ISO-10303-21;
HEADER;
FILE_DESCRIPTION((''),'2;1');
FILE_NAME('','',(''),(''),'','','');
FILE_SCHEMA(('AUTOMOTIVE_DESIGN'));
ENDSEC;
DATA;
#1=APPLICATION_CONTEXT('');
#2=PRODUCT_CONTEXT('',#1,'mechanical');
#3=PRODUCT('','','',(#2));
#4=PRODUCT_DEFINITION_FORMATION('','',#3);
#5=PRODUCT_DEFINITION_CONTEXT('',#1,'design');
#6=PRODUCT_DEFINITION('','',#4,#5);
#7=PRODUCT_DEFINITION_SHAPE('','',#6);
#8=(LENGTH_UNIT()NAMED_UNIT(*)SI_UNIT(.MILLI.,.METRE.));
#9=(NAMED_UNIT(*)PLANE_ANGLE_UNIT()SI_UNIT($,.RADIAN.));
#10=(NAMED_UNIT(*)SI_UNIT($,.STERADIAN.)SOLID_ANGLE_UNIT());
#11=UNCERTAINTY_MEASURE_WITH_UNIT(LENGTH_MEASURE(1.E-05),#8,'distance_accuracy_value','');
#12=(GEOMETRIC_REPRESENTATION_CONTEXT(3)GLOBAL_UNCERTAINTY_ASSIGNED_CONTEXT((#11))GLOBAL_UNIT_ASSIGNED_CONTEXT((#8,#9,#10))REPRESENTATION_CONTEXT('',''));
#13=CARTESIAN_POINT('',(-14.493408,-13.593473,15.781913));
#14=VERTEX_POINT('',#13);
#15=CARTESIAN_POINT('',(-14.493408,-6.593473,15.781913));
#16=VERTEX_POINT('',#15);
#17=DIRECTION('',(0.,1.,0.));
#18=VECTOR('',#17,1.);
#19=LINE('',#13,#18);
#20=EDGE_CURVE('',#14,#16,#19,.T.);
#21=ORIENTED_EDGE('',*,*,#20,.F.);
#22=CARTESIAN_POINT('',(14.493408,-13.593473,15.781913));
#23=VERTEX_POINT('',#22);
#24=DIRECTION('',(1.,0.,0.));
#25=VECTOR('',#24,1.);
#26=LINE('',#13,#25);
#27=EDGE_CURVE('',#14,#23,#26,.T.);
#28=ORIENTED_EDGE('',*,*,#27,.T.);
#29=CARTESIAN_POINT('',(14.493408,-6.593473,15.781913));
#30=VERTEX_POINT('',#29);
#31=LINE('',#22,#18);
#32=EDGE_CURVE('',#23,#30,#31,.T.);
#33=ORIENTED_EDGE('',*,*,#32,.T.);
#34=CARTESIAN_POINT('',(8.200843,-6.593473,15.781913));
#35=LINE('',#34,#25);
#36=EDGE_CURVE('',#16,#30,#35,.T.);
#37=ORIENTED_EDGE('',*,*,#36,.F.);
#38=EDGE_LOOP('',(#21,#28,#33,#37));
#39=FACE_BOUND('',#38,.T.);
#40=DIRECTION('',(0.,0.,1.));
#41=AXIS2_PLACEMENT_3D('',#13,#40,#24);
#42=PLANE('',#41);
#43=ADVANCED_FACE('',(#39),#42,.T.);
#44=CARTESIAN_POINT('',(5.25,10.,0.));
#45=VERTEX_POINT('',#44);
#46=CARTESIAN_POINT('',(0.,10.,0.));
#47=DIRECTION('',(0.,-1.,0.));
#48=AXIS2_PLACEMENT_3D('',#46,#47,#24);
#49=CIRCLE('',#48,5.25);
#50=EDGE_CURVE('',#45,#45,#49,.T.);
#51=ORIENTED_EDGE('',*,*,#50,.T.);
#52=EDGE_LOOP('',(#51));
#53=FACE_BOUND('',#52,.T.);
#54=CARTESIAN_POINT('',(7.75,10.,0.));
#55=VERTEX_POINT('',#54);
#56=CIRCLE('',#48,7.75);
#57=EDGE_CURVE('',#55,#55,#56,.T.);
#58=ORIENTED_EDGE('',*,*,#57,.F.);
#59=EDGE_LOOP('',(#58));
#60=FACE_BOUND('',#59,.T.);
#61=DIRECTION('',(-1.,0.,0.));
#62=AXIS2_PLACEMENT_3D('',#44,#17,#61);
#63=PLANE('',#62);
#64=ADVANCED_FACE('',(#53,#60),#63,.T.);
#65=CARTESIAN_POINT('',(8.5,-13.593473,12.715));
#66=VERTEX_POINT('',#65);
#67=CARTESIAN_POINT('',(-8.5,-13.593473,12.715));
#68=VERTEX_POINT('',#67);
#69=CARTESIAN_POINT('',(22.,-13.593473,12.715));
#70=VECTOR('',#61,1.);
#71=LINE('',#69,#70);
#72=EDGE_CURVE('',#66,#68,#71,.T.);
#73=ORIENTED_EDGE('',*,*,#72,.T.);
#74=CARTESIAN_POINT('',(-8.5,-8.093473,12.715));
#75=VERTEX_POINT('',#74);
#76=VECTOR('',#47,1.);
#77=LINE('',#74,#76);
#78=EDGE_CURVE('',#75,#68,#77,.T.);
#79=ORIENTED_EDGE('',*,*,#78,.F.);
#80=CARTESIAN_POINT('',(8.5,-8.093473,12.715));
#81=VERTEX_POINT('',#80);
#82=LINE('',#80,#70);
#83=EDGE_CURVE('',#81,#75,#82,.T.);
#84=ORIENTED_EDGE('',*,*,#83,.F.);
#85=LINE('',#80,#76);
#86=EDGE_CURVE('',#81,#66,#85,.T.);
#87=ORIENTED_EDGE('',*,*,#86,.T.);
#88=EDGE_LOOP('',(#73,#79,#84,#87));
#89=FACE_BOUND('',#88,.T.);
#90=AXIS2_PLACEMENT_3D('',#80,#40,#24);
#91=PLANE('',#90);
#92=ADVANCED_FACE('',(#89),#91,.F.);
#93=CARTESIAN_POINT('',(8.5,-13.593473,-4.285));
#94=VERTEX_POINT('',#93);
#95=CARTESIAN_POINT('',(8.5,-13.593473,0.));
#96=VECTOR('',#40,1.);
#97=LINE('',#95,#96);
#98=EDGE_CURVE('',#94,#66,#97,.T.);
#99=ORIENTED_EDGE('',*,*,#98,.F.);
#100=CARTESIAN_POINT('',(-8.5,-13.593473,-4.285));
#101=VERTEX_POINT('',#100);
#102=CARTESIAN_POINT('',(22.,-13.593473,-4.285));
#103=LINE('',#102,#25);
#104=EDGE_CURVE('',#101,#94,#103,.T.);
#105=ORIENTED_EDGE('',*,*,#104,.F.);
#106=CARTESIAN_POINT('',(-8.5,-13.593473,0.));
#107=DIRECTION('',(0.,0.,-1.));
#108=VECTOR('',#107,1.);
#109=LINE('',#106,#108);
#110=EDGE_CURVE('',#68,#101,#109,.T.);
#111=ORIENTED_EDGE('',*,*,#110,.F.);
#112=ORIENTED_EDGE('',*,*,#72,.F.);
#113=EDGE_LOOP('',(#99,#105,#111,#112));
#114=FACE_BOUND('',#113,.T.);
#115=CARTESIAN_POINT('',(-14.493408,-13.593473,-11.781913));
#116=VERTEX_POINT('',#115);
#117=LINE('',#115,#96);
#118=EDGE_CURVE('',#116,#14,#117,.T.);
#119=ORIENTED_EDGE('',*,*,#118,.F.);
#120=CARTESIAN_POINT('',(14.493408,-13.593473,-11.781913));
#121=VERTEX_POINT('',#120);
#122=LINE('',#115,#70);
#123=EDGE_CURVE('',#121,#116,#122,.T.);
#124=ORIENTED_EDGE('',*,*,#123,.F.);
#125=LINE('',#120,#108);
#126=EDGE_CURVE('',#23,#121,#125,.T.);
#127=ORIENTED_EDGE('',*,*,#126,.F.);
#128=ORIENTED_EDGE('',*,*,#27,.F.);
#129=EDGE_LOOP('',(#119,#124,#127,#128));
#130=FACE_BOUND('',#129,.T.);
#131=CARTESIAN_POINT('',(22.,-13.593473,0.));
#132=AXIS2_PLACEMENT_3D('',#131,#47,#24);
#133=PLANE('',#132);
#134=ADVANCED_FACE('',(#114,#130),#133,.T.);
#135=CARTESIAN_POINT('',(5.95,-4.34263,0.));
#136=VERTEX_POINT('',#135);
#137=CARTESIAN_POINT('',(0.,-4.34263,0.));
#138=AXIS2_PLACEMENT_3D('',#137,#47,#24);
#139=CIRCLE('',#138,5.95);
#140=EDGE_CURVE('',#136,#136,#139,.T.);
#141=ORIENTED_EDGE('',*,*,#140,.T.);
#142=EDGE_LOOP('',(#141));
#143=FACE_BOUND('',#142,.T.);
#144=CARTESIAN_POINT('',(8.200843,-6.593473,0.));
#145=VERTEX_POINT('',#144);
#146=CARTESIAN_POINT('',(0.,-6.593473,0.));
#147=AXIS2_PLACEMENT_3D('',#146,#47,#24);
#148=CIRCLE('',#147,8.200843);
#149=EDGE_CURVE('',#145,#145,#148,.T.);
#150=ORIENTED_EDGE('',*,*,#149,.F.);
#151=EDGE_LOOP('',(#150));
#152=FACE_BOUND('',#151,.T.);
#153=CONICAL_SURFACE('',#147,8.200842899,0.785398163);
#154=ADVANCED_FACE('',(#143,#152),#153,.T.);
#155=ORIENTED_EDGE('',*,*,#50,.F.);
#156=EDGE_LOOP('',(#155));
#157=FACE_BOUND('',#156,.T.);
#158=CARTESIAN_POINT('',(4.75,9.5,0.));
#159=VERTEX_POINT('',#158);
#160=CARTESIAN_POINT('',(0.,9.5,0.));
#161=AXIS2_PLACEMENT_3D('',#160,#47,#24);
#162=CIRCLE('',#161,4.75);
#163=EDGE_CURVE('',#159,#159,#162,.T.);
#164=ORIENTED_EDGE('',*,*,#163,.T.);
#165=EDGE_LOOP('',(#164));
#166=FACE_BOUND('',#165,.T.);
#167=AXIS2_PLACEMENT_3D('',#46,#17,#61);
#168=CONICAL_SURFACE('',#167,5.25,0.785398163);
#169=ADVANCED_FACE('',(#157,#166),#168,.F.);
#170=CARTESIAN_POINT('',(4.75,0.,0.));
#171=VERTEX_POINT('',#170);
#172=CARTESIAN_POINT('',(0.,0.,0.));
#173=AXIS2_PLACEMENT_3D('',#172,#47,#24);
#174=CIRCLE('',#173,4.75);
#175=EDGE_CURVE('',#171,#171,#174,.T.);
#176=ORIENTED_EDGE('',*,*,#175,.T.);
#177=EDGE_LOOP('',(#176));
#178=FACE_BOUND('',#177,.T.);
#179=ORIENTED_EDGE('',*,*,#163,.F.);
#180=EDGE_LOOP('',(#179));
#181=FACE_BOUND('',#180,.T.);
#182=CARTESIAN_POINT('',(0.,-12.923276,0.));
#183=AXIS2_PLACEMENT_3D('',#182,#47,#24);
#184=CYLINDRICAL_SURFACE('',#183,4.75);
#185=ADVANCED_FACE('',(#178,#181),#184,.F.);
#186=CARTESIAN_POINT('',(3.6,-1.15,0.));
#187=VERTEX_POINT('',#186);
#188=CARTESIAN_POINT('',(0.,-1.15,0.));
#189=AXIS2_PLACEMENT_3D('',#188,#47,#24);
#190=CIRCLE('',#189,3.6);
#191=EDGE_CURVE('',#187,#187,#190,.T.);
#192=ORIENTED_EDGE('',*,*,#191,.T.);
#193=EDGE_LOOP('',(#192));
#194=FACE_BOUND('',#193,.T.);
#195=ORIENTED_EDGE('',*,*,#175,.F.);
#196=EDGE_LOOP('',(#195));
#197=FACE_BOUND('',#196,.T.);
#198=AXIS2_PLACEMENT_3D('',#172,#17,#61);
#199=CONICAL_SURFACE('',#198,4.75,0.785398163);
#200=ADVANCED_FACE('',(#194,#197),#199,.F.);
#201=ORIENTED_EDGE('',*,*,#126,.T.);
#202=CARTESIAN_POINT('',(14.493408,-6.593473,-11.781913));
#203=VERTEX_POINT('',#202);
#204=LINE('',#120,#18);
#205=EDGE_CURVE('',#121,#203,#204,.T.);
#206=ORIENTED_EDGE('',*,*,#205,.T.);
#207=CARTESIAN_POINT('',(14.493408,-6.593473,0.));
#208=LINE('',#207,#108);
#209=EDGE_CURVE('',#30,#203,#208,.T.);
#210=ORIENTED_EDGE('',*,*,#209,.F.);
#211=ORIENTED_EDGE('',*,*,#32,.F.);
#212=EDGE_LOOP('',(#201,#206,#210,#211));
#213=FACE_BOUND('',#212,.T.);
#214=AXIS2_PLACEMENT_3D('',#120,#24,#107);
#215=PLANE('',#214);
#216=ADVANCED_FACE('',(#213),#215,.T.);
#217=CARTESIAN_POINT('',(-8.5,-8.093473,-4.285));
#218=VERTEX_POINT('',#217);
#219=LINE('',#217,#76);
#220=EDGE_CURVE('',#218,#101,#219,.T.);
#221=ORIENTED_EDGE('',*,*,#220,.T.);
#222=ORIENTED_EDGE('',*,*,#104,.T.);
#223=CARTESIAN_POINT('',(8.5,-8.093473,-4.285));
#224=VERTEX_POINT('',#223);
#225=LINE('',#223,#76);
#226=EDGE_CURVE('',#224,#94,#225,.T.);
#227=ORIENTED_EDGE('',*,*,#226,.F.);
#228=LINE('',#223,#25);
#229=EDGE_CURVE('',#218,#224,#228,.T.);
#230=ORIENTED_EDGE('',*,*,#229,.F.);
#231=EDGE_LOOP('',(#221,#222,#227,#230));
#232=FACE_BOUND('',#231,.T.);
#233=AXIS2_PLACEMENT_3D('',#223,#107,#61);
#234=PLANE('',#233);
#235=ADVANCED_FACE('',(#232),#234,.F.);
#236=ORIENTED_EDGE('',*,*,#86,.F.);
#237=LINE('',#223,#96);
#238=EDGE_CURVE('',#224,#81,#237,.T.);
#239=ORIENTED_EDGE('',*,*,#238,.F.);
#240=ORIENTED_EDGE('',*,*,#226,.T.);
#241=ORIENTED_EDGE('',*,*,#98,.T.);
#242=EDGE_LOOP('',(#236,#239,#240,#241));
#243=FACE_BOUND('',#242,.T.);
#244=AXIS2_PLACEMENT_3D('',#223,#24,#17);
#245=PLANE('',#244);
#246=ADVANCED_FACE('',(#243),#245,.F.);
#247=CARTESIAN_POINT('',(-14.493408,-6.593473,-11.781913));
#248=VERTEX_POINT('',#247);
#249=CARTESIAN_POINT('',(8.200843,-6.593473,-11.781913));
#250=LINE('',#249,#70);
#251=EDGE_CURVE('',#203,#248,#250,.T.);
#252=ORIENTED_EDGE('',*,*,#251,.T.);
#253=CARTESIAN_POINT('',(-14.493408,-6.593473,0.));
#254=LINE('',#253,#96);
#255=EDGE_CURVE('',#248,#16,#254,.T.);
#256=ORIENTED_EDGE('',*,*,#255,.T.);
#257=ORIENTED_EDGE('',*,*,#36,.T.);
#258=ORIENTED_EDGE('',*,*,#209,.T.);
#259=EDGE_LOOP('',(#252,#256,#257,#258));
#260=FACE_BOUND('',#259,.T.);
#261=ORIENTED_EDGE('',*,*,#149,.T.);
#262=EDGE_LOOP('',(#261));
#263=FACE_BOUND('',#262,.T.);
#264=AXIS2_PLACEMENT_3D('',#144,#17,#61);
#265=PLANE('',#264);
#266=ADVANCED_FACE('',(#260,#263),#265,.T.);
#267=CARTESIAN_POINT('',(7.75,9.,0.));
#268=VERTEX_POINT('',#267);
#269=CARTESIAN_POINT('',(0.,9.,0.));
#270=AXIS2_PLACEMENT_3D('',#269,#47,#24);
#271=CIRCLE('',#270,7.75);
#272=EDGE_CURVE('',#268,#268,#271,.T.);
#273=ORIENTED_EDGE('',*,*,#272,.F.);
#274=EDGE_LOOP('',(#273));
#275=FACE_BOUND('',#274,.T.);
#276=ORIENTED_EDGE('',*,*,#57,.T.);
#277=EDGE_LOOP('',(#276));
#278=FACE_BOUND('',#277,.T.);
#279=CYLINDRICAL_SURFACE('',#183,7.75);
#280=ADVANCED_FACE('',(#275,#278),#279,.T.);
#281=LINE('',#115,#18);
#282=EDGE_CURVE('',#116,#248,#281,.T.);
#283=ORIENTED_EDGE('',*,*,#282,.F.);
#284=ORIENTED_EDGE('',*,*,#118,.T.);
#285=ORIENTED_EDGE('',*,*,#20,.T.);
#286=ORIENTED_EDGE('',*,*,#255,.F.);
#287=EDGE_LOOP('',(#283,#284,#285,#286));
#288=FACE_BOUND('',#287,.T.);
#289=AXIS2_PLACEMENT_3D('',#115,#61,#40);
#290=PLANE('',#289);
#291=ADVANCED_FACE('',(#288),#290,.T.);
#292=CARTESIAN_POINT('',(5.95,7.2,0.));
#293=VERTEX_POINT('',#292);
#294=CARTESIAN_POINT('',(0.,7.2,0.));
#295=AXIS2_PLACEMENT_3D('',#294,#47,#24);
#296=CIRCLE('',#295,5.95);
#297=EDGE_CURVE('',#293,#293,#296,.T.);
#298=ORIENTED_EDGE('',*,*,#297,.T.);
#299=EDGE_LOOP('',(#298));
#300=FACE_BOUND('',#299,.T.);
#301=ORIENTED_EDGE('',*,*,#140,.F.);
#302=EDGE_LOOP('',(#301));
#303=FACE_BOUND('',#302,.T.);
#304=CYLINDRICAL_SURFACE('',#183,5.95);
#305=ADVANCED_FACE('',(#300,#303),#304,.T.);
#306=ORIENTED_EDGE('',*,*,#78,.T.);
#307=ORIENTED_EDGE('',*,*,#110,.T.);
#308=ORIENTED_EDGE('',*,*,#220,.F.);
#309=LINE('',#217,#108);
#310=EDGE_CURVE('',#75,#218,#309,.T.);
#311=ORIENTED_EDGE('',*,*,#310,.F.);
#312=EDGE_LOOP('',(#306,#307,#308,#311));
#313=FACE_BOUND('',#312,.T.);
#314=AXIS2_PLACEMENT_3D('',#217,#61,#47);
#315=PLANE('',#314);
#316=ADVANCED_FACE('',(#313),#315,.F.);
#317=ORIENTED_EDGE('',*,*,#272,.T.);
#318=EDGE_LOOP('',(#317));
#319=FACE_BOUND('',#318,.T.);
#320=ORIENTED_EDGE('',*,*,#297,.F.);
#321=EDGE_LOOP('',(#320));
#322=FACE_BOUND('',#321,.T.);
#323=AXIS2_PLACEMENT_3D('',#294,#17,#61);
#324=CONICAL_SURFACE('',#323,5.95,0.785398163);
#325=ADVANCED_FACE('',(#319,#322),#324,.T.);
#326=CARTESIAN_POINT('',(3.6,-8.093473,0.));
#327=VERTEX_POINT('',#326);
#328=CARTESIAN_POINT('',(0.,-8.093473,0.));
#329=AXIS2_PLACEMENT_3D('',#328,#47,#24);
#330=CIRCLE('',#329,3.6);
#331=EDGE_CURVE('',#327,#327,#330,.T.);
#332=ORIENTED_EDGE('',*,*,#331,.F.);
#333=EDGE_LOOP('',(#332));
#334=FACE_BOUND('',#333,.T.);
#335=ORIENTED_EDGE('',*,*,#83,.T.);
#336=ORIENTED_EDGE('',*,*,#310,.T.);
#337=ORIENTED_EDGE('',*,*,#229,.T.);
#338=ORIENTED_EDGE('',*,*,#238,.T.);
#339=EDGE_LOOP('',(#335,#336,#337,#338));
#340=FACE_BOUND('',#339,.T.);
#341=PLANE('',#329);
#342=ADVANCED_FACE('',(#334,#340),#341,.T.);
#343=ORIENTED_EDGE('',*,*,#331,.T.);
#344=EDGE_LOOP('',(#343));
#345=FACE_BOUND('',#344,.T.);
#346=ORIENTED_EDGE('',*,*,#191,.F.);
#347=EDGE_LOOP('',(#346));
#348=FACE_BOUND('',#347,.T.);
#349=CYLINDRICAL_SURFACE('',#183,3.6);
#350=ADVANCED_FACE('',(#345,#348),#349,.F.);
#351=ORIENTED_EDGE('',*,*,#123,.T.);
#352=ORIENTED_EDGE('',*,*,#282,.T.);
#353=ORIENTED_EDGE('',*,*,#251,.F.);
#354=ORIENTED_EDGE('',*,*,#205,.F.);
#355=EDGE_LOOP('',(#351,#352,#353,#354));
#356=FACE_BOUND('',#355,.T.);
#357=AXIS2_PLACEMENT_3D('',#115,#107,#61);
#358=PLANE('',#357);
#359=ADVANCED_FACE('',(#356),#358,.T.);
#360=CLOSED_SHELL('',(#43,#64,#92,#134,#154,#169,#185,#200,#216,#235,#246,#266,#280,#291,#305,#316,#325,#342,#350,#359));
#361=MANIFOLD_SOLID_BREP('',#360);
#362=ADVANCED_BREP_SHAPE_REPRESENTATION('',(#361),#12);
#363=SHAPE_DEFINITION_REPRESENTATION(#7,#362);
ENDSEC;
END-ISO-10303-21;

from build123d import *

# Parameters (mm, degrees)
SKETCH2_OUTSIDE_W       = 59.31
SKETCH2_OUTSIDE_H       = 59.31
SKETCH2_OUTSIDE_W_2     = 28.986815524
SKETCH2_OUTSIDE_H_2     = 27.563826398
CUT_EXTRUDE1_DEPTH      = 11
CUT_EXTRUDE1_DEPTH_BACK = 14.593473012
SKETCH3_W               = 17
SKETCH3_H               = 17
CUT_EXTRUDE2_DEPTH      = 6.5


with BuildPart() as part:
    # Sketch1 → Revolve1 (revolve)
    with BuildSketch(Plane.XY):
        Polygon((4.75, 9.5), (4.75, 0), (3.6, -1.15), (3.6, -13.593473012), (22, -13.593473012), (22, -6.593473012), (8.200842899, -6.593473012), (5.95, -4.342630114), (5.95, 7.2), (7.75, 9), (7.75, 10), (5.25, 10), align=None)
    revolve(axis=Axis((0, -12.923275862, 0), (0, 1, 0)))

    # Sketch2 outside → Cut-Extrude1 (cut, two sides)
    with BuildSketch(Plane(origin=(0, 0, 0), x_dir=(1, 0, 0), z_dir=(0, 1, 0))) as cut_extrude1_sk:
        Rectangle(SKETCH2_OUTSIDE_W, SKETCH2_OUTSIDE_H)
        with Locations((0, -2)):
            Rectangle(SKETCH2_OUTSIDE_W_2, SKETCH2_OUTSIDE_H_2, mode=Mode.SUBTRACT)
    extrude(amount=CUT_EXTRUDE1_DEPTH, mode=Mode.SUBTRACT)
    extrude(cut_extrude1_sk.sketch, amount=-CUT_EXTRUDE1_DEPTH_BACK, mode=Mode.SUBTRACT)

    # Sketch3 → Cut-Extrude2 (cut)
    with BuildSketch(Plane(origin=(0, -14.593473012, 0), x_dir=(-1, 0, 0), z_dir=(0, -1, 0))):
        with Locations((0, -4.215)):
            Rectangle(SKETCH3_W, SKETCH3_H)
    extrude(amount=-CUT_EXTRUDE2_DEPTH, mode=Mode.SUBTRACT)


solid = part.part
